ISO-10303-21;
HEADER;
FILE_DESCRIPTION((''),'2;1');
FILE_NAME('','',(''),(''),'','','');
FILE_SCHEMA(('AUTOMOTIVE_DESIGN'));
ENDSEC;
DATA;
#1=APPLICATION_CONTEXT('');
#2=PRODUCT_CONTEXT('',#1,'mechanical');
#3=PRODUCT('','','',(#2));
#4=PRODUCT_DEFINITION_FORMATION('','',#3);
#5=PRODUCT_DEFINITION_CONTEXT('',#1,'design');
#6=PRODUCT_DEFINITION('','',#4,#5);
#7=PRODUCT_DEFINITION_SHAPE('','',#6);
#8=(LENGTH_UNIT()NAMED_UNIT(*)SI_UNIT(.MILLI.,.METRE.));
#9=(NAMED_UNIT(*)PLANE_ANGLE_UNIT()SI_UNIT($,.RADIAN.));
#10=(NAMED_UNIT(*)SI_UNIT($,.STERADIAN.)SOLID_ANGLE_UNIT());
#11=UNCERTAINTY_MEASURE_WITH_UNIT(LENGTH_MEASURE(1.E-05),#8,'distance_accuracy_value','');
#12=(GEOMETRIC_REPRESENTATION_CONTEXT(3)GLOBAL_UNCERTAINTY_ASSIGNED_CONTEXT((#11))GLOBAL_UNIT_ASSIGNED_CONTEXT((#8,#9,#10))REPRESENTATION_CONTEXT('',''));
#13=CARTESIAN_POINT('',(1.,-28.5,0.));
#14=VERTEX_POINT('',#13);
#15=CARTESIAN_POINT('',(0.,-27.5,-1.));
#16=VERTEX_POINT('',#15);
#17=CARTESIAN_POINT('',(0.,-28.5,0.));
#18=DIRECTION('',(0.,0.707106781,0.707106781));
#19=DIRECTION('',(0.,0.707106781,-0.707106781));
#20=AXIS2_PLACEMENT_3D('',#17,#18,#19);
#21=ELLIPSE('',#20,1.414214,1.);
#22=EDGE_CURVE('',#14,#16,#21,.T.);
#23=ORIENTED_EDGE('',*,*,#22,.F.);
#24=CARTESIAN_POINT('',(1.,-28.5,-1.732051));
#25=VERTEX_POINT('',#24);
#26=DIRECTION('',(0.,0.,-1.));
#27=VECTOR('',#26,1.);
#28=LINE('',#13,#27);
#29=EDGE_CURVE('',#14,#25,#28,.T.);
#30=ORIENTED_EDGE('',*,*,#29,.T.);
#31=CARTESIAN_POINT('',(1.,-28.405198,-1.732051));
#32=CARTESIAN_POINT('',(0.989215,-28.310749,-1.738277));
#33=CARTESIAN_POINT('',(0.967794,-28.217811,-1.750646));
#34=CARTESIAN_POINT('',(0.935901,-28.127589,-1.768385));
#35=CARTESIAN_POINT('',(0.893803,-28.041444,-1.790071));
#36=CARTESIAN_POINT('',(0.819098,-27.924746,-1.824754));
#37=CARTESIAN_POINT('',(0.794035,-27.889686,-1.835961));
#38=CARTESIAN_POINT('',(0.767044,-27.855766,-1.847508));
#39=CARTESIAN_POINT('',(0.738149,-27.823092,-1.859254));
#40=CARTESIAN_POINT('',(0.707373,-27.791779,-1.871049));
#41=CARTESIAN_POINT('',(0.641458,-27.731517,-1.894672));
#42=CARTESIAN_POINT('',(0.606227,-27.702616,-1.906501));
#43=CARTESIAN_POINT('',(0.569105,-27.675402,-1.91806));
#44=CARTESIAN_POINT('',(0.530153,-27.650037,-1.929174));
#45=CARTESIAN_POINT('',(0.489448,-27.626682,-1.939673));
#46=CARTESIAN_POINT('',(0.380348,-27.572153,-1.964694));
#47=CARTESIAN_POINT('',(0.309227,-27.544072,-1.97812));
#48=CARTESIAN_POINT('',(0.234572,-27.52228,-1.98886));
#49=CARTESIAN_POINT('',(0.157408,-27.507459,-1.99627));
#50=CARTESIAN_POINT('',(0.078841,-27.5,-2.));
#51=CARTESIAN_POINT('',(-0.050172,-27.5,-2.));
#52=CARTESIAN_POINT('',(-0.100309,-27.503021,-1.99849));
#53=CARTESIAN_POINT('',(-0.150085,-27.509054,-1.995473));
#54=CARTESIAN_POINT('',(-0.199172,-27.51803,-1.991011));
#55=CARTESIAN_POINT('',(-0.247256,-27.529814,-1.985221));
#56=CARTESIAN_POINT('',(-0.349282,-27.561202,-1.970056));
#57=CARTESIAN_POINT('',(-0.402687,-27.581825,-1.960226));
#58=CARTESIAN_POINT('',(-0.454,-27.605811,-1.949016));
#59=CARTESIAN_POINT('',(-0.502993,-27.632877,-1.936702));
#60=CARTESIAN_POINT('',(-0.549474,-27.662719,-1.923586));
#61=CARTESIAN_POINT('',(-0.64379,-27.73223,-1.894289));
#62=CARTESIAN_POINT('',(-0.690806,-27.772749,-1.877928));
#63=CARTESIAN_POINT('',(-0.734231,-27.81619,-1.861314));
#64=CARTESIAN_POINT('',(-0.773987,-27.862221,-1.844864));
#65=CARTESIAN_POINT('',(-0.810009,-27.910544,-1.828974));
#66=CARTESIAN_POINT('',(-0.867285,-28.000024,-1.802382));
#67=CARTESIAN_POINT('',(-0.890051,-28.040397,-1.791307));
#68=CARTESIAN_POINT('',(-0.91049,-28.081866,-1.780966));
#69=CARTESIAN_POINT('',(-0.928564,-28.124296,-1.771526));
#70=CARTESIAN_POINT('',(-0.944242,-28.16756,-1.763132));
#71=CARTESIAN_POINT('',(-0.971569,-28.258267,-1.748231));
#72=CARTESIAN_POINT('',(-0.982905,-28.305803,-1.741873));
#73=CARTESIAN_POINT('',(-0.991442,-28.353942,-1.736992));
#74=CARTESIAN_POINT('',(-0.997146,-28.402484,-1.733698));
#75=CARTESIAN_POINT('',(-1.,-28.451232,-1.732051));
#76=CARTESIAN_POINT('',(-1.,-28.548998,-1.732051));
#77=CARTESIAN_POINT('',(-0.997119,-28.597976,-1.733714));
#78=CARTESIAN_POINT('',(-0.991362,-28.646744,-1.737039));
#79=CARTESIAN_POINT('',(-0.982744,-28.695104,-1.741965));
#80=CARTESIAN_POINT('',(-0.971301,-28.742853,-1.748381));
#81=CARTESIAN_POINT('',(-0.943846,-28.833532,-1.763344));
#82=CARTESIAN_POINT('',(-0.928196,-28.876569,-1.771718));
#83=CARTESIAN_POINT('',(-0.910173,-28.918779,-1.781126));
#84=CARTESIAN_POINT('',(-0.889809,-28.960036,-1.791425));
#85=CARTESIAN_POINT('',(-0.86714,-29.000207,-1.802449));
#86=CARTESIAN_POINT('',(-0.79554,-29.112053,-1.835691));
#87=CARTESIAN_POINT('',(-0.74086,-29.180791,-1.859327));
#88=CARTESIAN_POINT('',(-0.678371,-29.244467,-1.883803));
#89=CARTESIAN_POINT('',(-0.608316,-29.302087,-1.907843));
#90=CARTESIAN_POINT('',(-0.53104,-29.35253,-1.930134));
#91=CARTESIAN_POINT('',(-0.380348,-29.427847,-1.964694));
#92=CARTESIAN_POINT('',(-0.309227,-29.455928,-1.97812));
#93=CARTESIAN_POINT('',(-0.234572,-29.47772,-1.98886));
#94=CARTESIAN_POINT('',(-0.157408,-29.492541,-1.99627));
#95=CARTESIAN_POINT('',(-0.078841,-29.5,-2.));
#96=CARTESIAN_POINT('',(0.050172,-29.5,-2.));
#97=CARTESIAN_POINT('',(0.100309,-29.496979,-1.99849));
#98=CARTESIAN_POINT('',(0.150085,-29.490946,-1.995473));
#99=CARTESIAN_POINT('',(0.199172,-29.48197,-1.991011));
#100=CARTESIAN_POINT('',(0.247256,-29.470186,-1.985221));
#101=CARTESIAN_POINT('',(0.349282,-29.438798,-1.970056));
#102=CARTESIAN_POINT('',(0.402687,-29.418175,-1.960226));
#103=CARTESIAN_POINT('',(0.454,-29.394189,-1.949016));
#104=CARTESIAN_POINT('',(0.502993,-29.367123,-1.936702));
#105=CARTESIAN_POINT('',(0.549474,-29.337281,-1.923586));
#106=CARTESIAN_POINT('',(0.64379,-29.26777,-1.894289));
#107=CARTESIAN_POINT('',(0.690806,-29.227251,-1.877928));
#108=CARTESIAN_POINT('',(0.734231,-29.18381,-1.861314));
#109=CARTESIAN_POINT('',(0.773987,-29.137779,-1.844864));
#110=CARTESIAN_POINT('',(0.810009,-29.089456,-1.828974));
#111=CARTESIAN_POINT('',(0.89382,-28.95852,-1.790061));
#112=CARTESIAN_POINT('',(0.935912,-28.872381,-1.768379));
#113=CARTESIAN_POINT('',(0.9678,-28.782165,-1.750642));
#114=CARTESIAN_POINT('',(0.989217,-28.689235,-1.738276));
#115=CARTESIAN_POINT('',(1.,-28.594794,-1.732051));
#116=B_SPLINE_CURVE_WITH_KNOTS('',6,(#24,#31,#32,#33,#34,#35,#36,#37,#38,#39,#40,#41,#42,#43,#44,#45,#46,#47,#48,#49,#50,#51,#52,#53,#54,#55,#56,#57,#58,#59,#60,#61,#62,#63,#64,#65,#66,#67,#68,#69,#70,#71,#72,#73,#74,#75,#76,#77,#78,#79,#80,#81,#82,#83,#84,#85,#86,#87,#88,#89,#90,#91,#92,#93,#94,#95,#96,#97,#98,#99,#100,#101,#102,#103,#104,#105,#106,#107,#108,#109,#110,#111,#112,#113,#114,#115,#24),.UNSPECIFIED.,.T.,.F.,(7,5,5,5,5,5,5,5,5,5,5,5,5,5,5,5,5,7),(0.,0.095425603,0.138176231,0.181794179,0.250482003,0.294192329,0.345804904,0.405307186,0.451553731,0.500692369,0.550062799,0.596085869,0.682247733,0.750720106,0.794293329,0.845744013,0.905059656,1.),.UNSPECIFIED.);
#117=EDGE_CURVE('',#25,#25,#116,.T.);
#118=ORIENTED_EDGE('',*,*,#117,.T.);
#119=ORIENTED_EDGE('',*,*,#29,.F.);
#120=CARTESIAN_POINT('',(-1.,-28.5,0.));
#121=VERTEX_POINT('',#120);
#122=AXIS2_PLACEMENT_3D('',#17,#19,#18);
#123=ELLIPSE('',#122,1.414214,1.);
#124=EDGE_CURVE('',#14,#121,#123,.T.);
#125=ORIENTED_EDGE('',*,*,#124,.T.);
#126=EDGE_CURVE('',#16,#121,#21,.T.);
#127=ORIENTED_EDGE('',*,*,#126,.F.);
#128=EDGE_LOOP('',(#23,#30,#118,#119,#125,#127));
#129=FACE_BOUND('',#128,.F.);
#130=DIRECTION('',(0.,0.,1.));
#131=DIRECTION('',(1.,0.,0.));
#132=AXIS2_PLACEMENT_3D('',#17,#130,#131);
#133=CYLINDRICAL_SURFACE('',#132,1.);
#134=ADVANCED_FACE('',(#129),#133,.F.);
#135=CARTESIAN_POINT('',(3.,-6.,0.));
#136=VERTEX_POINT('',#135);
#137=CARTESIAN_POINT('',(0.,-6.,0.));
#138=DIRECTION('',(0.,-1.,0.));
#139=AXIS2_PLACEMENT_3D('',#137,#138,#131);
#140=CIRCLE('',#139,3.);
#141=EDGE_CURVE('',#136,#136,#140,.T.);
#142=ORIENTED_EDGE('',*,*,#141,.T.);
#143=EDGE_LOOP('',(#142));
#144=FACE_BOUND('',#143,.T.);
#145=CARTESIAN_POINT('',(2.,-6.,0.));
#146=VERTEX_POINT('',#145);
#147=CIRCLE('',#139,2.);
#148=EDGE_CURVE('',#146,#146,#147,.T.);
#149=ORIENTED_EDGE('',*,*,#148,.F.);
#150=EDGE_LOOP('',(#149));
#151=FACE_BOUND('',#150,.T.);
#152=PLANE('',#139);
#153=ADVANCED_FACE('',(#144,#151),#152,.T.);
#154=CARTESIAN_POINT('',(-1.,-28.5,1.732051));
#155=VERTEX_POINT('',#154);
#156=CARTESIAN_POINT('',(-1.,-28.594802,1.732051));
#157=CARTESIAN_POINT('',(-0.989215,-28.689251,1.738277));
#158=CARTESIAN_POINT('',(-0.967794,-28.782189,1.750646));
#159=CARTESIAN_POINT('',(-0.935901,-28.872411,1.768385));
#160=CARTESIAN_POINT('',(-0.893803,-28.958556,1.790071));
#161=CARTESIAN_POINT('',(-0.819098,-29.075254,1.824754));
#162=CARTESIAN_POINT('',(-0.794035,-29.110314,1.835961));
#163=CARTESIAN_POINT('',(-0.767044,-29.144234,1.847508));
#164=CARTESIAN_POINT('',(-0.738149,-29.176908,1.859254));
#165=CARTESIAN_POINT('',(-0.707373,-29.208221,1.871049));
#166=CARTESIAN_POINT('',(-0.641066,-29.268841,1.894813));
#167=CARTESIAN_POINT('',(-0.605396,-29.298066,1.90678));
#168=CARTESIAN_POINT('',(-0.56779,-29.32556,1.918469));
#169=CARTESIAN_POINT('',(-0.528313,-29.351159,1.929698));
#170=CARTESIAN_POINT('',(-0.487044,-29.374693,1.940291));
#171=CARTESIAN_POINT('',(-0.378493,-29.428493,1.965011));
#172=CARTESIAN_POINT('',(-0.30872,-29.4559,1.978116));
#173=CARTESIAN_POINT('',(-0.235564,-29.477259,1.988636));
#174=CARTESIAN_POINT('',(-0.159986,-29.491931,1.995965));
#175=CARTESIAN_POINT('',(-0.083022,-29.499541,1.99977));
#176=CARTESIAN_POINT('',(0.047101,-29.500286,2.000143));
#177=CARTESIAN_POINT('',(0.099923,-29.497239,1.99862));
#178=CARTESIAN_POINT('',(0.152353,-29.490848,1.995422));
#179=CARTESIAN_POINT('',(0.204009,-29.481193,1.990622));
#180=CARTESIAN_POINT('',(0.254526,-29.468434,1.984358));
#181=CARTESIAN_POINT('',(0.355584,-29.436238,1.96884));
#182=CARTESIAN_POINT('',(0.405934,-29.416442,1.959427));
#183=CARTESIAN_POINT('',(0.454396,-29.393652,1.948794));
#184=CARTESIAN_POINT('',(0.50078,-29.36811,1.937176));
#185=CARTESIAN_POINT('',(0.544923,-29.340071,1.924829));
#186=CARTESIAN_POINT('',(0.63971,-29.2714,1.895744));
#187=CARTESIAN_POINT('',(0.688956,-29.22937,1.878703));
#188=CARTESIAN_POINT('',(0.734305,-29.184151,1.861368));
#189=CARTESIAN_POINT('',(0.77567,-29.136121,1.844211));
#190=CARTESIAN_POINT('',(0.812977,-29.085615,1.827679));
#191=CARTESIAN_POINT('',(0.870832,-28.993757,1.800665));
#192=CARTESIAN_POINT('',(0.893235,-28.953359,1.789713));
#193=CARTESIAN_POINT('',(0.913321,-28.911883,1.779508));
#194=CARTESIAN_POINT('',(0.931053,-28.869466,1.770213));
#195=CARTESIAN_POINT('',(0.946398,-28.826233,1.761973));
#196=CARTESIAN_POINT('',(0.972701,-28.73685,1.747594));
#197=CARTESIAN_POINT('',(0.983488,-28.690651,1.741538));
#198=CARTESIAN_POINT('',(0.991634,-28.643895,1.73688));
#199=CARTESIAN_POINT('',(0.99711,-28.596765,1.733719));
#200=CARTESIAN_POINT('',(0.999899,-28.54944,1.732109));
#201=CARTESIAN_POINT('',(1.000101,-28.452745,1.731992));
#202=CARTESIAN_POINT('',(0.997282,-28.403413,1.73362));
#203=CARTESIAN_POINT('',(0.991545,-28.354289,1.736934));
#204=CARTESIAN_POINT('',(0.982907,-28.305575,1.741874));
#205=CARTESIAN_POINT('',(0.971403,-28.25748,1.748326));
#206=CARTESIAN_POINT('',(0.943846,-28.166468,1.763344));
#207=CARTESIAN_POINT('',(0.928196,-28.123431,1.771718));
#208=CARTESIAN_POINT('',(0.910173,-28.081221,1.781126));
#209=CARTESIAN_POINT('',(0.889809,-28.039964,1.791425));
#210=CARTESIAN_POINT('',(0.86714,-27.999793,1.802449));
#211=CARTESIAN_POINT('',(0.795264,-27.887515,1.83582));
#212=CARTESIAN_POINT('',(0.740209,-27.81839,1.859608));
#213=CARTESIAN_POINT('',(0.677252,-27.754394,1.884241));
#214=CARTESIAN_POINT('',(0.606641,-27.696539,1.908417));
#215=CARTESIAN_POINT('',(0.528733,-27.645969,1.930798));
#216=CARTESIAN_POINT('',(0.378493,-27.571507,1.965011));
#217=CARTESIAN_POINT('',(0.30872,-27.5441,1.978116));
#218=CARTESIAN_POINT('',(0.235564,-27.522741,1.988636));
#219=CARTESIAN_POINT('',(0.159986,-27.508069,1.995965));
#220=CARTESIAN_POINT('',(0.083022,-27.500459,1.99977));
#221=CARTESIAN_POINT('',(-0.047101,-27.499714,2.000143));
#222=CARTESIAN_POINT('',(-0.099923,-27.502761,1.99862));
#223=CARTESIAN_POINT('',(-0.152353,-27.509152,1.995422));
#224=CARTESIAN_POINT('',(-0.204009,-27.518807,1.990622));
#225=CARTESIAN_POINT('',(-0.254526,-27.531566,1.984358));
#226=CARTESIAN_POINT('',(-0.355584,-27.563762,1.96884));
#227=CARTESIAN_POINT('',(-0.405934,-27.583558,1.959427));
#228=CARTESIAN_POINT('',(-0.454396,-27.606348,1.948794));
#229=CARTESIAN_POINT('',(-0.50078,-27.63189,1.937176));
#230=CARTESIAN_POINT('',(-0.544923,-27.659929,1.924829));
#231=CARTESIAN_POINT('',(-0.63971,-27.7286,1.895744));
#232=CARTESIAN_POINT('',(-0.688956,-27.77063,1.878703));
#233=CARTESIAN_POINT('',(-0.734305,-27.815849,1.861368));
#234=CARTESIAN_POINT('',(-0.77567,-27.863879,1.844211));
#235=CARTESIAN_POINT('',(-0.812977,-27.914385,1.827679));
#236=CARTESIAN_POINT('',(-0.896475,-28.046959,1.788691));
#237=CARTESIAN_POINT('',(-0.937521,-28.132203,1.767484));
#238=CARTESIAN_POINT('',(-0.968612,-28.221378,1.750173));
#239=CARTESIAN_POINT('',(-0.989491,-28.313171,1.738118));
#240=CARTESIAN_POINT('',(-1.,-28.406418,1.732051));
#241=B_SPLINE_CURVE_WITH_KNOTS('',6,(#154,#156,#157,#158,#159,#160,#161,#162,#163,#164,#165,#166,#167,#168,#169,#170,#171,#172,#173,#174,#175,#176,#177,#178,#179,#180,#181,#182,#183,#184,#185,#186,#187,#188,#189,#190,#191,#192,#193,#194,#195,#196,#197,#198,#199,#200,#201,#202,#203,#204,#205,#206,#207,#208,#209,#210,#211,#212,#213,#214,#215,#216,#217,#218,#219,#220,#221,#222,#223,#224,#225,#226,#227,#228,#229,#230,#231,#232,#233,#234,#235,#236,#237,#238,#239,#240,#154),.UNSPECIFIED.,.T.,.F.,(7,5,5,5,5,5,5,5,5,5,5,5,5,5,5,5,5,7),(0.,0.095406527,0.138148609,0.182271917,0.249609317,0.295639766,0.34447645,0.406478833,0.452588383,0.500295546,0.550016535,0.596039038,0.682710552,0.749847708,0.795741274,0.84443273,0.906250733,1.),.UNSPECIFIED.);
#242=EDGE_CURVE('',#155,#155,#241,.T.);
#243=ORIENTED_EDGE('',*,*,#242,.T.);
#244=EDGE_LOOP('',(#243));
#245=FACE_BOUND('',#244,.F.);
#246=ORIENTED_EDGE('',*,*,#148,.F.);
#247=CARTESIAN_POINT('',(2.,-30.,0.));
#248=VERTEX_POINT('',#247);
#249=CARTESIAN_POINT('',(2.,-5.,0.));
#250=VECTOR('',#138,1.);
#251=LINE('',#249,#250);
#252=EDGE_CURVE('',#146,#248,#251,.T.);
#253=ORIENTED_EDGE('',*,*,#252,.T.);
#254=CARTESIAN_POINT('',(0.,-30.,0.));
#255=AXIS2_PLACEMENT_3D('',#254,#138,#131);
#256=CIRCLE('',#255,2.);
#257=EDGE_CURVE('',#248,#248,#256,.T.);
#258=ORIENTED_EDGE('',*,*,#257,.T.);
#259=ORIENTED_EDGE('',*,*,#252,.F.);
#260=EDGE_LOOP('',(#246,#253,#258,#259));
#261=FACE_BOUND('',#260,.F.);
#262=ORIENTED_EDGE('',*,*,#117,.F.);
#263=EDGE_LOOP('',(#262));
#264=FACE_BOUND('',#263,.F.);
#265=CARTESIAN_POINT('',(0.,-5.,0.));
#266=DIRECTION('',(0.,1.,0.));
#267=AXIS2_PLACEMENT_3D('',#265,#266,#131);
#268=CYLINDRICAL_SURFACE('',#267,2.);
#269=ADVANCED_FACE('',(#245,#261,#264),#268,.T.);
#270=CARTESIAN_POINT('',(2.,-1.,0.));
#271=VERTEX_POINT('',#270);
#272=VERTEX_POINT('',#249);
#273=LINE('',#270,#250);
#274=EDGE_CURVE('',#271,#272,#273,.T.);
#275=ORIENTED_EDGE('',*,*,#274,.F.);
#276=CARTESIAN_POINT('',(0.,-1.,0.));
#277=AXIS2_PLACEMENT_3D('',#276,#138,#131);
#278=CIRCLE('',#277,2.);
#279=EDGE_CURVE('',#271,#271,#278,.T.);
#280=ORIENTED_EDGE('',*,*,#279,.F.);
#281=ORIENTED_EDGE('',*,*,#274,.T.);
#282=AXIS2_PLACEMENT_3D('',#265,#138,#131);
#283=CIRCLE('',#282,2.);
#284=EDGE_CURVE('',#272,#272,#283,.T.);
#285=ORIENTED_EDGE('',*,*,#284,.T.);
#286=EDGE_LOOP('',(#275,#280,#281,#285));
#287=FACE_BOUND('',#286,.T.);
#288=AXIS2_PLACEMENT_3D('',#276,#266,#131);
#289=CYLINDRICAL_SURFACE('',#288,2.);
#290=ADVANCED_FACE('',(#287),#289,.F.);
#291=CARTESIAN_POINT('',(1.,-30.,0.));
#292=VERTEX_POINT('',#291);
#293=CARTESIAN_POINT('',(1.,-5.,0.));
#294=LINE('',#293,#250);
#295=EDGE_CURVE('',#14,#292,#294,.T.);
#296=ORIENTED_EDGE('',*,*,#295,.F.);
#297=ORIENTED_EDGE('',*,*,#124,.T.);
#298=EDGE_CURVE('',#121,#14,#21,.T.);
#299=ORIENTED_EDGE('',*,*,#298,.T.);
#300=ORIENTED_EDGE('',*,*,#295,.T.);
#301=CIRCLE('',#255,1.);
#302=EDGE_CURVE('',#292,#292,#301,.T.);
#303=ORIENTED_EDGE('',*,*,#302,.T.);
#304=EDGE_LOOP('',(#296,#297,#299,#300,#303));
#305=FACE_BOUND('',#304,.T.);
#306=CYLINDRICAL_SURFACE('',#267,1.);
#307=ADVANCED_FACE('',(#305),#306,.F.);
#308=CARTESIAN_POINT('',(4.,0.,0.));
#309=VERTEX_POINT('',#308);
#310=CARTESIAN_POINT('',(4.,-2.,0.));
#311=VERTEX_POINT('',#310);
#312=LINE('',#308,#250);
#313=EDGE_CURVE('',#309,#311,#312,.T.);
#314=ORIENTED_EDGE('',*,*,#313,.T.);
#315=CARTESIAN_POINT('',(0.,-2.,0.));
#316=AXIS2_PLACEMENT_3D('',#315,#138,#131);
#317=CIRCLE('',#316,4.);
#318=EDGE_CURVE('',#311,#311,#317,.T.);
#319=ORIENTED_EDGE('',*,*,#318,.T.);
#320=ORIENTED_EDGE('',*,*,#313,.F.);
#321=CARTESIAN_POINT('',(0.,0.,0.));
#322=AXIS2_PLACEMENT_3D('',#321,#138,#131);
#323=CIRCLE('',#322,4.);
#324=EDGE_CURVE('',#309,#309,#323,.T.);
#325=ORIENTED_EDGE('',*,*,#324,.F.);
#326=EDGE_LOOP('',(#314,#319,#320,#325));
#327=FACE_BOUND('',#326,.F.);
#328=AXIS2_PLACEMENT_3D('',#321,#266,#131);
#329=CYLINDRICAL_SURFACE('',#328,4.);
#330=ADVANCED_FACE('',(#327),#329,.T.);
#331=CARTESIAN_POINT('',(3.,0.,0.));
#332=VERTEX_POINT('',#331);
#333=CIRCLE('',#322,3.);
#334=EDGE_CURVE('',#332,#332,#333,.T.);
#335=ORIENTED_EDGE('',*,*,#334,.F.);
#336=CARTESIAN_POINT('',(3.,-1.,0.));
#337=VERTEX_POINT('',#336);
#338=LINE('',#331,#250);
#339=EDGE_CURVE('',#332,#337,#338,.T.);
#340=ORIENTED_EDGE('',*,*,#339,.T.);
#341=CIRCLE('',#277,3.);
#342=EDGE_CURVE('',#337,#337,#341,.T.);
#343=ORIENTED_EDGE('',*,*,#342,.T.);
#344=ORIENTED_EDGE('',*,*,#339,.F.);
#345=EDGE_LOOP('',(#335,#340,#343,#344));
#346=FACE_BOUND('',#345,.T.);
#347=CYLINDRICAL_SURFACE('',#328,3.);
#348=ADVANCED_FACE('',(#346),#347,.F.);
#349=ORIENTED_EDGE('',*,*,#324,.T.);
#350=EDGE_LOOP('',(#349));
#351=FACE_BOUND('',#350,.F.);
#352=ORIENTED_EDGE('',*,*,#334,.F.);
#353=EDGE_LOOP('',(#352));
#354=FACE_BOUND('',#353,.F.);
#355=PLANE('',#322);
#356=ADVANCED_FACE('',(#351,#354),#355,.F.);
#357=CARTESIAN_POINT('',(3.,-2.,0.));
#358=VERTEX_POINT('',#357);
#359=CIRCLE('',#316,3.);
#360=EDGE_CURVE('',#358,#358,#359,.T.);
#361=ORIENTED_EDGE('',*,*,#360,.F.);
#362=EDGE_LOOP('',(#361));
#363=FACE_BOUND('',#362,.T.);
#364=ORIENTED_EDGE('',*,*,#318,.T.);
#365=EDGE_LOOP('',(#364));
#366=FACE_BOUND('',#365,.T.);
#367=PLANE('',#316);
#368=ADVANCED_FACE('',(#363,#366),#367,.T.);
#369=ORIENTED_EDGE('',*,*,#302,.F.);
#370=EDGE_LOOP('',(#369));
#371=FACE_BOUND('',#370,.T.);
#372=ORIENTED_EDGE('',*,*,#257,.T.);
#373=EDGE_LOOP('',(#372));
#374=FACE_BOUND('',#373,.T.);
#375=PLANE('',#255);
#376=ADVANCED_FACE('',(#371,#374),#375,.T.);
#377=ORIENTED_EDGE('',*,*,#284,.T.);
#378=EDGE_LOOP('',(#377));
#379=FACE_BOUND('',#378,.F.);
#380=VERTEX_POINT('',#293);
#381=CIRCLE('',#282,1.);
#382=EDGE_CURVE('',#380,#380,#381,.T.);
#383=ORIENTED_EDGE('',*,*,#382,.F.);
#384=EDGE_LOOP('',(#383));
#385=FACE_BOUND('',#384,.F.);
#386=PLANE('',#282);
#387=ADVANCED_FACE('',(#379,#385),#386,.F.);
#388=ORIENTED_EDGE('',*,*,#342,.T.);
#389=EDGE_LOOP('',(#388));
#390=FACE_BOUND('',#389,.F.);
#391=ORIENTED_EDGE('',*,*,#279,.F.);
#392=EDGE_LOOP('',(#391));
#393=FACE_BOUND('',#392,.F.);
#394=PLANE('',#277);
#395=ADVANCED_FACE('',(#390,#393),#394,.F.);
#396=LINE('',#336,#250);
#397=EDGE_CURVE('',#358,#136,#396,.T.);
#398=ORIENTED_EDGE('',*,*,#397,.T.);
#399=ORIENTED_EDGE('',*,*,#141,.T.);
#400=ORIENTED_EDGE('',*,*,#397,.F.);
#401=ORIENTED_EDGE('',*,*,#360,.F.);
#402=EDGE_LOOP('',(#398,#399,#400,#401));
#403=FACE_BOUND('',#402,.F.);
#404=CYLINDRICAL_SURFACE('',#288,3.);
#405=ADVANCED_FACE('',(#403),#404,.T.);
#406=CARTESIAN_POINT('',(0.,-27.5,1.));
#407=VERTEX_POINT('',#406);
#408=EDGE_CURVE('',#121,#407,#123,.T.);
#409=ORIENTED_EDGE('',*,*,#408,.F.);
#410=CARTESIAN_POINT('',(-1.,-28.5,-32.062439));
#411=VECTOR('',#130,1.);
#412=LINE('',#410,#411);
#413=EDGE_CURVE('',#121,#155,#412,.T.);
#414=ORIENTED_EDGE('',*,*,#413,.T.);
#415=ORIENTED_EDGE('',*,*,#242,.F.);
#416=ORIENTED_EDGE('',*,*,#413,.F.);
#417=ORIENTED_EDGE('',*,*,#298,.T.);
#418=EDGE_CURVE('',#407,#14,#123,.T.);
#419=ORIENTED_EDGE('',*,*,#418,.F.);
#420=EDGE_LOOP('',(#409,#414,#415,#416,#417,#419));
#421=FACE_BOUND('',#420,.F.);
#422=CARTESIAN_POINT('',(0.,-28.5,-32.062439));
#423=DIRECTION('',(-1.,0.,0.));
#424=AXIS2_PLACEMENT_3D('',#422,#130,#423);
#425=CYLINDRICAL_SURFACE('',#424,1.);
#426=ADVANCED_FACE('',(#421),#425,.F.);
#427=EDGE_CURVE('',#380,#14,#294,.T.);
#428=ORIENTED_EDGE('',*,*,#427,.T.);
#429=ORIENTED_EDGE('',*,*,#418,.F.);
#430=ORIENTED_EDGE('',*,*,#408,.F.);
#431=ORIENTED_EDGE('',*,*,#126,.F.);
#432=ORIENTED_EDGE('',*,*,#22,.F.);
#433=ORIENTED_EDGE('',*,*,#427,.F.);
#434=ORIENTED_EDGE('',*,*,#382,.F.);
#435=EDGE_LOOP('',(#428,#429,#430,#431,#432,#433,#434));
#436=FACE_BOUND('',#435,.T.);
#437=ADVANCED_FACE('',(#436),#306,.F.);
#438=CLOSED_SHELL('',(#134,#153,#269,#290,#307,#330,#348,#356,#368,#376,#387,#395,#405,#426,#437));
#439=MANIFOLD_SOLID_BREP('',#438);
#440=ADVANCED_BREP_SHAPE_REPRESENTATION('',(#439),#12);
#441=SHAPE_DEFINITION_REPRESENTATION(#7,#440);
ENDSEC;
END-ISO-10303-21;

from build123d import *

# Parameters (mm, degrees)
F0_R     = 4
F0_R_2   = 3
F1_DEPTH = 2
F2_START = 1
F0_R_3   = 2
F2_DEPTH = 5
F3_START = 5
F0_R_4   = 1
F3_DEPTH = 25
F5_D     = 2
F5_DEPTH = 4.001
F6_D     = 2


with BuildPart() as f1:
    # F0 (on Front) → F1 (new body)
    with BuildSketch(Plane.XZ):
        Circle(F0_R)
        Circle(F0_R_2, mode=Mode.SUBTRACT)
    extrude(amount=F1_DEPTH)

    # F0 (on Front) → F2 (join)
    with BuildSketch(Plane.XZ.offset(F2_START)):
        Circle(F0_R_2)
        Circle(F0_R_3, mode=Mode.SUBTRACT)
    extrude(amount=F2_DEPTH)

    # F0 (on Front) → F3 (join)
    with BuildSketch(Plane.XZ.offset(F3_START)):
        Circle(F0_R_3)
        Circle(F0_R_4, mode=Mode.SUBTRACT)
    extrude(amount=F3_DEPTH)

    # F5 (through all, one way)
    with BuildSketch(Plane.XY):
        with Locations((0, -28.5)):
            Circle(F5_D / 2)
    extrude(amount=-F5_DEPTH, mode=Mode.SUBTRACT)

    # F6 (through all)
    with Locations(Plane(origin=(0, 0, 0), x_dir=(1, 0, 0), z_dir=(0, 0, -1))):
        with Locations((0, 28.5)):
            Hole(F6_D / 2)


solid = f1.part
